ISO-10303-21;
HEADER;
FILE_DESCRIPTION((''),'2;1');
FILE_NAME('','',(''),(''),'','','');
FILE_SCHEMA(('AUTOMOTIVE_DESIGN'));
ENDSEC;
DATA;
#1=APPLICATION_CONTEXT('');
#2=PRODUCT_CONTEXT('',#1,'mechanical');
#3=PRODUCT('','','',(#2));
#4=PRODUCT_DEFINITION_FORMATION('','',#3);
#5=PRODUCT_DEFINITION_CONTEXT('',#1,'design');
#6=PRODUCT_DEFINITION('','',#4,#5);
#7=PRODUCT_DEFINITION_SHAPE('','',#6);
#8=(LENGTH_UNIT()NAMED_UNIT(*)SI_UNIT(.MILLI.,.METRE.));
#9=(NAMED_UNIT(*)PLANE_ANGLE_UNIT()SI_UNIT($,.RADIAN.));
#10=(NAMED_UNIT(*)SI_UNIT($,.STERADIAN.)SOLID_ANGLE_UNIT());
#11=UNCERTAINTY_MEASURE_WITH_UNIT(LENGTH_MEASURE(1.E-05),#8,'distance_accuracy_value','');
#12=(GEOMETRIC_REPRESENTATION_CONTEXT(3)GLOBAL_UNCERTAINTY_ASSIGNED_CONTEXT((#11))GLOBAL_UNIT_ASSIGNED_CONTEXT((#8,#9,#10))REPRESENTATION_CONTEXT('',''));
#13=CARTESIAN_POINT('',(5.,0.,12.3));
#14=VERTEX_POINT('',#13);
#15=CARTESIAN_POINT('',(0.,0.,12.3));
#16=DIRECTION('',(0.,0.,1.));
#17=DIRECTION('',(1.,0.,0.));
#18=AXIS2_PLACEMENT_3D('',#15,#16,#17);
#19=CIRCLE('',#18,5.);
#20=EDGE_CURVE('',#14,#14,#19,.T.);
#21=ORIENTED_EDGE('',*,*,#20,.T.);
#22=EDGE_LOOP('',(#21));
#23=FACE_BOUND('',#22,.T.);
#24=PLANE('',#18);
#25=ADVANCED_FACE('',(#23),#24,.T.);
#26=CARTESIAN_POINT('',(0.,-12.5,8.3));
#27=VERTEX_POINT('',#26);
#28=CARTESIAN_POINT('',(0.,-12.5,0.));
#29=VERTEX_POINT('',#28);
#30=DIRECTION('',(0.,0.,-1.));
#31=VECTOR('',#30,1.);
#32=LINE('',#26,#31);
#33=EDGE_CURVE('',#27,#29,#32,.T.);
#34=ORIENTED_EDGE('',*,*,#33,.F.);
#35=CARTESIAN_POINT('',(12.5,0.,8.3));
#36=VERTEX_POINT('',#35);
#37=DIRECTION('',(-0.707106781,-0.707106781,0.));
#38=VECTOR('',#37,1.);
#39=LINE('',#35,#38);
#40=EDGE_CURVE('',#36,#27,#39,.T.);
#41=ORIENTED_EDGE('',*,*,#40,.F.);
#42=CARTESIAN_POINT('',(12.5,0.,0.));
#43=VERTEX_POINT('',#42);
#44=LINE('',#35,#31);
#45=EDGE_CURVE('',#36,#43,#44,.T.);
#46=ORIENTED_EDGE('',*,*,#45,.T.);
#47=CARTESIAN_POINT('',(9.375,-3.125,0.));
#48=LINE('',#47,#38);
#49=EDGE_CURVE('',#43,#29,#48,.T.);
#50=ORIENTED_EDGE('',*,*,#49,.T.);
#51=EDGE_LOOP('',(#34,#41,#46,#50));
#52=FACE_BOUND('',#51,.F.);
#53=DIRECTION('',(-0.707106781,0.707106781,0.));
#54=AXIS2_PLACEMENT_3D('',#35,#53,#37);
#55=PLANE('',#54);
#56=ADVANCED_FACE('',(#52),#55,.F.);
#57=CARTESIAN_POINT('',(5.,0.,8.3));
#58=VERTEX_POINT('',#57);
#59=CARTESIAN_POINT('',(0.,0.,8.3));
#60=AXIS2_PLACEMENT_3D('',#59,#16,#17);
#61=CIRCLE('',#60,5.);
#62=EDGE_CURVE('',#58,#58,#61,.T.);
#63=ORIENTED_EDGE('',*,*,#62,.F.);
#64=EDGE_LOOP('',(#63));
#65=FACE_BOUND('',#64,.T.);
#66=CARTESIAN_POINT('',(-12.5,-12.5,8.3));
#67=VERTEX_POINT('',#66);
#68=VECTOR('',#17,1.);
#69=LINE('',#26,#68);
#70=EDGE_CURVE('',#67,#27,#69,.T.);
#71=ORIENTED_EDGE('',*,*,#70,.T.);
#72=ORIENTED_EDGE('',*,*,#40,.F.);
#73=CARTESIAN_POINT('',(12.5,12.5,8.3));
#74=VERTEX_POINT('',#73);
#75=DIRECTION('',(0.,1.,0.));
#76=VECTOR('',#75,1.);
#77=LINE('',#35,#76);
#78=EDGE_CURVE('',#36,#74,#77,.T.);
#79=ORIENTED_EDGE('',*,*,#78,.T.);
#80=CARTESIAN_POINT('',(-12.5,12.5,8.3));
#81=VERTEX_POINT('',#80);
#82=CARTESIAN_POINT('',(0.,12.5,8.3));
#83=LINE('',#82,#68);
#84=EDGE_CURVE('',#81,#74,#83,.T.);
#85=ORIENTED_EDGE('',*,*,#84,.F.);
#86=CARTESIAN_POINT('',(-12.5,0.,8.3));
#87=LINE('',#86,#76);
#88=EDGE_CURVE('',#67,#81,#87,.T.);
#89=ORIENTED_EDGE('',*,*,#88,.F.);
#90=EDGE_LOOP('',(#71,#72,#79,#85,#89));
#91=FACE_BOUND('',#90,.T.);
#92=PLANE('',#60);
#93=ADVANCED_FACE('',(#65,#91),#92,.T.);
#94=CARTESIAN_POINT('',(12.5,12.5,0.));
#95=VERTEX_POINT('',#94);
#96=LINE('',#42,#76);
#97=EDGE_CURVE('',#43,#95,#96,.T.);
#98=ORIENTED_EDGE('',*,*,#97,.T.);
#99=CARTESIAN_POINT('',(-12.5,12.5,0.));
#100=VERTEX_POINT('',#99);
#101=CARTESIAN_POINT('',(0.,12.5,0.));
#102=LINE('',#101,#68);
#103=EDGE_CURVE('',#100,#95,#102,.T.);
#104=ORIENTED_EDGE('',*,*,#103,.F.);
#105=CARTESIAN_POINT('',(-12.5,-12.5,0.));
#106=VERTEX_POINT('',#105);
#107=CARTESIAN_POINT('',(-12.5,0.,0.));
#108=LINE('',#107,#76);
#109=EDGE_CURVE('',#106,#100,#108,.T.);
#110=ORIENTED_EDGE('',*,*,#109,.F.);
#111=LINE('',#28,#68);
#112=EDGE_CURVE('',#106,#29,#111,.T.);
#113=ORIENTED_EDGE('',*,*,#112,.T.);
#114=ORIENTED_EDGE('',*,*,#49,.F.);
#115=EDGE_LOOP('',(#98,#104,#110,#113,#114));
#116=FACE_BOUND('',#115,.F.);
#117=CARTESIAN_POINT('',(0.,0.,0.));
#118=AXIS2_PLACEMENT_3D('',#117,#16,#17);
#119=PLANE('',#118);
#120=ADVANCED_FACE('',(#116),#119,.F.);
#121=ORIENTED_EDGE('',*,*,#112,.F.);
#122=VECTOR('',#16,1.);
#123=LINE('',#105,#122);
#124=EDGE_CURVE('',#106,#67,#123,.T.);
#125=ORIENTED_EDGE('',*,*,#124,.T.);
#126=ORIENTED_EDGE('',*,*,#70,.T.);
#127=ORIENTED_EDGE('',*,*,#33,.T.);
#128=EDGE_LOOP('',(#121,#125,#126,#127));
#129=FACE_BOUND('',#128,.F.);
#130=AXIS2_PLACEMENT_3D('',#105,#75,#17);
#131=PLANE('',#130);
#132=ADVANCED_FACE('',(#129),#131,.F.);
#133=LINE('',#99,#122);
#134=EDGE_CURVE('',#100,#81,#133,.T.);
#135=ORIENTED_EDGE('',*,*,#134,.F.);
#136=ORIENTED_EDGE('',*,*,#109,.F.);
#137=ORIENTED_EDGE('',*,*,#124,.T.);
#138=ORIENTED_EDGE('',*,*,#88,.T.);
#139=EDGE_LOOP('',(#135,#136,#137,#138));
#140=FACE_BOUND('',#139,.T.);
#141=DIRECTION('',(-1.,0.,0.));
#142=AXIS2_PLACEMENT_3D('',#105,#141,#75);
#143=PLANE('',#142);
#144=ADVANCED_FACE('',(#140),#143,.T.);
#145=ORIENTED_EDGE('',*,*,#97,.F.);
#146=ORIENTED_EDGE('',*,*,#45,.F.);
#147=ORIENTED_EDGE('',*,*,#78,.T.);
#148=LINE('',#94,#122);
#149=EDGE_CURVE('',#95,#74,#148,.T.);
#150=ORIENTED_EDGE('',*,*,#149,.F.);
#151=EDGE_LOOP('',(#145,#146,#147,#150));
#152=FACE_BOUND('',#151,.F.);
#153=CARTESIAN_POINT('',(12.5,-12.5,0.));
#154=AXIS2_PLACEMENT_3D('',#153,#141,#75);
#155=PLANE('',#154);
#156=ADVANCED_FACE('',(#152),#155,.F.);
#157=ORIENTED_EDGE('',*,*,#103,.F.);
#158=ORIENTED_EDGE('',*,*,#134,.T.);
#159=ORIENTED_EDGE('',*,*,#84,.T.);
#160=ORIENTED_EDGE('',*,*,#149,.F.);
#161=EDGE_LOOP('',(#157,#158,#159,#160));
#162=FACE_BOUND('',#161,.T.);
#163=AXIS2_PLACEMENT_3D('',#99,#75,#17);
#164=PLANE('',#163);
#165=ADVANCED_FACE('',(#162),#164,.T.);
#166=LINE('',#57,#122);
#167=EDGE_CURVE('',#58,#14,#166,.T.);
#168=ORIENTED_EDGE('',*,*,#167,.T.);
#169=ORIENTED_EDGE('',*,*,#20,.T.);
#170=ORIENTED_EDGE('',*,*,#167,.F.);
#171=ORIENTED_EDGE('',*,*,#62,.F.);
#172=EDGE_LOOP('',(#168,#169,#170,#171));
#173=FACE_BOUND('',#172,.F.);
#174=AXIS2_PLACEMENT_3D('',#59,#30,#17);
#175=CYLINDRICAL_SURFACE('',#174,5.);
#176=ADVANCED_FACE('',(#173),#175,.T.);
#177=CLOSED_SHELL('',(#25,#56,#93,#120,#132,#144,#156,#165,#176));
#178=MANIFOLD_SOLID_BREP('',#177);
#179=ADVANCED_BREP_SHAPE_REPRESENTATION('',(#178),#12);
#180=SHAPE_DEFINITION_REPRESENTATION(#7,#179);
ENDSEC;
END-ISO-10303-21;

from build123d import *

# Parameters (mm, degrees)
F0_W     = 25
F0_H     = 25
F1_DEPTH = 8.3
F2_R     = 5
F3_DEPTH = 4
F5_DEPTH = 25


with BuildPart() as f1:
    # F0 (on Top) → F1 (new body)
    with BuildSketch(Plane.XY):
        Rectangle(F0_W, F0_H)
    extrude(amount=F1_DEPTH)

    # F2 (on face) → F3 (join)
    with BuildSketch(Plane.XY.offset(8.3)):
        Circle(F2_R)
    extrude(amount=F3_DEPTH)

    # F4 (on face) → F5 (cut)
    with BuildSketch(Plane.XY.offset(8.3)):
        Polygon((12.5, -12.5), (12.5, 0), (0, -12.5), align=None)
    extrude(amount=-F5_DEPTH, mode=Mode.SUBTRACT)


solid = f1.part
